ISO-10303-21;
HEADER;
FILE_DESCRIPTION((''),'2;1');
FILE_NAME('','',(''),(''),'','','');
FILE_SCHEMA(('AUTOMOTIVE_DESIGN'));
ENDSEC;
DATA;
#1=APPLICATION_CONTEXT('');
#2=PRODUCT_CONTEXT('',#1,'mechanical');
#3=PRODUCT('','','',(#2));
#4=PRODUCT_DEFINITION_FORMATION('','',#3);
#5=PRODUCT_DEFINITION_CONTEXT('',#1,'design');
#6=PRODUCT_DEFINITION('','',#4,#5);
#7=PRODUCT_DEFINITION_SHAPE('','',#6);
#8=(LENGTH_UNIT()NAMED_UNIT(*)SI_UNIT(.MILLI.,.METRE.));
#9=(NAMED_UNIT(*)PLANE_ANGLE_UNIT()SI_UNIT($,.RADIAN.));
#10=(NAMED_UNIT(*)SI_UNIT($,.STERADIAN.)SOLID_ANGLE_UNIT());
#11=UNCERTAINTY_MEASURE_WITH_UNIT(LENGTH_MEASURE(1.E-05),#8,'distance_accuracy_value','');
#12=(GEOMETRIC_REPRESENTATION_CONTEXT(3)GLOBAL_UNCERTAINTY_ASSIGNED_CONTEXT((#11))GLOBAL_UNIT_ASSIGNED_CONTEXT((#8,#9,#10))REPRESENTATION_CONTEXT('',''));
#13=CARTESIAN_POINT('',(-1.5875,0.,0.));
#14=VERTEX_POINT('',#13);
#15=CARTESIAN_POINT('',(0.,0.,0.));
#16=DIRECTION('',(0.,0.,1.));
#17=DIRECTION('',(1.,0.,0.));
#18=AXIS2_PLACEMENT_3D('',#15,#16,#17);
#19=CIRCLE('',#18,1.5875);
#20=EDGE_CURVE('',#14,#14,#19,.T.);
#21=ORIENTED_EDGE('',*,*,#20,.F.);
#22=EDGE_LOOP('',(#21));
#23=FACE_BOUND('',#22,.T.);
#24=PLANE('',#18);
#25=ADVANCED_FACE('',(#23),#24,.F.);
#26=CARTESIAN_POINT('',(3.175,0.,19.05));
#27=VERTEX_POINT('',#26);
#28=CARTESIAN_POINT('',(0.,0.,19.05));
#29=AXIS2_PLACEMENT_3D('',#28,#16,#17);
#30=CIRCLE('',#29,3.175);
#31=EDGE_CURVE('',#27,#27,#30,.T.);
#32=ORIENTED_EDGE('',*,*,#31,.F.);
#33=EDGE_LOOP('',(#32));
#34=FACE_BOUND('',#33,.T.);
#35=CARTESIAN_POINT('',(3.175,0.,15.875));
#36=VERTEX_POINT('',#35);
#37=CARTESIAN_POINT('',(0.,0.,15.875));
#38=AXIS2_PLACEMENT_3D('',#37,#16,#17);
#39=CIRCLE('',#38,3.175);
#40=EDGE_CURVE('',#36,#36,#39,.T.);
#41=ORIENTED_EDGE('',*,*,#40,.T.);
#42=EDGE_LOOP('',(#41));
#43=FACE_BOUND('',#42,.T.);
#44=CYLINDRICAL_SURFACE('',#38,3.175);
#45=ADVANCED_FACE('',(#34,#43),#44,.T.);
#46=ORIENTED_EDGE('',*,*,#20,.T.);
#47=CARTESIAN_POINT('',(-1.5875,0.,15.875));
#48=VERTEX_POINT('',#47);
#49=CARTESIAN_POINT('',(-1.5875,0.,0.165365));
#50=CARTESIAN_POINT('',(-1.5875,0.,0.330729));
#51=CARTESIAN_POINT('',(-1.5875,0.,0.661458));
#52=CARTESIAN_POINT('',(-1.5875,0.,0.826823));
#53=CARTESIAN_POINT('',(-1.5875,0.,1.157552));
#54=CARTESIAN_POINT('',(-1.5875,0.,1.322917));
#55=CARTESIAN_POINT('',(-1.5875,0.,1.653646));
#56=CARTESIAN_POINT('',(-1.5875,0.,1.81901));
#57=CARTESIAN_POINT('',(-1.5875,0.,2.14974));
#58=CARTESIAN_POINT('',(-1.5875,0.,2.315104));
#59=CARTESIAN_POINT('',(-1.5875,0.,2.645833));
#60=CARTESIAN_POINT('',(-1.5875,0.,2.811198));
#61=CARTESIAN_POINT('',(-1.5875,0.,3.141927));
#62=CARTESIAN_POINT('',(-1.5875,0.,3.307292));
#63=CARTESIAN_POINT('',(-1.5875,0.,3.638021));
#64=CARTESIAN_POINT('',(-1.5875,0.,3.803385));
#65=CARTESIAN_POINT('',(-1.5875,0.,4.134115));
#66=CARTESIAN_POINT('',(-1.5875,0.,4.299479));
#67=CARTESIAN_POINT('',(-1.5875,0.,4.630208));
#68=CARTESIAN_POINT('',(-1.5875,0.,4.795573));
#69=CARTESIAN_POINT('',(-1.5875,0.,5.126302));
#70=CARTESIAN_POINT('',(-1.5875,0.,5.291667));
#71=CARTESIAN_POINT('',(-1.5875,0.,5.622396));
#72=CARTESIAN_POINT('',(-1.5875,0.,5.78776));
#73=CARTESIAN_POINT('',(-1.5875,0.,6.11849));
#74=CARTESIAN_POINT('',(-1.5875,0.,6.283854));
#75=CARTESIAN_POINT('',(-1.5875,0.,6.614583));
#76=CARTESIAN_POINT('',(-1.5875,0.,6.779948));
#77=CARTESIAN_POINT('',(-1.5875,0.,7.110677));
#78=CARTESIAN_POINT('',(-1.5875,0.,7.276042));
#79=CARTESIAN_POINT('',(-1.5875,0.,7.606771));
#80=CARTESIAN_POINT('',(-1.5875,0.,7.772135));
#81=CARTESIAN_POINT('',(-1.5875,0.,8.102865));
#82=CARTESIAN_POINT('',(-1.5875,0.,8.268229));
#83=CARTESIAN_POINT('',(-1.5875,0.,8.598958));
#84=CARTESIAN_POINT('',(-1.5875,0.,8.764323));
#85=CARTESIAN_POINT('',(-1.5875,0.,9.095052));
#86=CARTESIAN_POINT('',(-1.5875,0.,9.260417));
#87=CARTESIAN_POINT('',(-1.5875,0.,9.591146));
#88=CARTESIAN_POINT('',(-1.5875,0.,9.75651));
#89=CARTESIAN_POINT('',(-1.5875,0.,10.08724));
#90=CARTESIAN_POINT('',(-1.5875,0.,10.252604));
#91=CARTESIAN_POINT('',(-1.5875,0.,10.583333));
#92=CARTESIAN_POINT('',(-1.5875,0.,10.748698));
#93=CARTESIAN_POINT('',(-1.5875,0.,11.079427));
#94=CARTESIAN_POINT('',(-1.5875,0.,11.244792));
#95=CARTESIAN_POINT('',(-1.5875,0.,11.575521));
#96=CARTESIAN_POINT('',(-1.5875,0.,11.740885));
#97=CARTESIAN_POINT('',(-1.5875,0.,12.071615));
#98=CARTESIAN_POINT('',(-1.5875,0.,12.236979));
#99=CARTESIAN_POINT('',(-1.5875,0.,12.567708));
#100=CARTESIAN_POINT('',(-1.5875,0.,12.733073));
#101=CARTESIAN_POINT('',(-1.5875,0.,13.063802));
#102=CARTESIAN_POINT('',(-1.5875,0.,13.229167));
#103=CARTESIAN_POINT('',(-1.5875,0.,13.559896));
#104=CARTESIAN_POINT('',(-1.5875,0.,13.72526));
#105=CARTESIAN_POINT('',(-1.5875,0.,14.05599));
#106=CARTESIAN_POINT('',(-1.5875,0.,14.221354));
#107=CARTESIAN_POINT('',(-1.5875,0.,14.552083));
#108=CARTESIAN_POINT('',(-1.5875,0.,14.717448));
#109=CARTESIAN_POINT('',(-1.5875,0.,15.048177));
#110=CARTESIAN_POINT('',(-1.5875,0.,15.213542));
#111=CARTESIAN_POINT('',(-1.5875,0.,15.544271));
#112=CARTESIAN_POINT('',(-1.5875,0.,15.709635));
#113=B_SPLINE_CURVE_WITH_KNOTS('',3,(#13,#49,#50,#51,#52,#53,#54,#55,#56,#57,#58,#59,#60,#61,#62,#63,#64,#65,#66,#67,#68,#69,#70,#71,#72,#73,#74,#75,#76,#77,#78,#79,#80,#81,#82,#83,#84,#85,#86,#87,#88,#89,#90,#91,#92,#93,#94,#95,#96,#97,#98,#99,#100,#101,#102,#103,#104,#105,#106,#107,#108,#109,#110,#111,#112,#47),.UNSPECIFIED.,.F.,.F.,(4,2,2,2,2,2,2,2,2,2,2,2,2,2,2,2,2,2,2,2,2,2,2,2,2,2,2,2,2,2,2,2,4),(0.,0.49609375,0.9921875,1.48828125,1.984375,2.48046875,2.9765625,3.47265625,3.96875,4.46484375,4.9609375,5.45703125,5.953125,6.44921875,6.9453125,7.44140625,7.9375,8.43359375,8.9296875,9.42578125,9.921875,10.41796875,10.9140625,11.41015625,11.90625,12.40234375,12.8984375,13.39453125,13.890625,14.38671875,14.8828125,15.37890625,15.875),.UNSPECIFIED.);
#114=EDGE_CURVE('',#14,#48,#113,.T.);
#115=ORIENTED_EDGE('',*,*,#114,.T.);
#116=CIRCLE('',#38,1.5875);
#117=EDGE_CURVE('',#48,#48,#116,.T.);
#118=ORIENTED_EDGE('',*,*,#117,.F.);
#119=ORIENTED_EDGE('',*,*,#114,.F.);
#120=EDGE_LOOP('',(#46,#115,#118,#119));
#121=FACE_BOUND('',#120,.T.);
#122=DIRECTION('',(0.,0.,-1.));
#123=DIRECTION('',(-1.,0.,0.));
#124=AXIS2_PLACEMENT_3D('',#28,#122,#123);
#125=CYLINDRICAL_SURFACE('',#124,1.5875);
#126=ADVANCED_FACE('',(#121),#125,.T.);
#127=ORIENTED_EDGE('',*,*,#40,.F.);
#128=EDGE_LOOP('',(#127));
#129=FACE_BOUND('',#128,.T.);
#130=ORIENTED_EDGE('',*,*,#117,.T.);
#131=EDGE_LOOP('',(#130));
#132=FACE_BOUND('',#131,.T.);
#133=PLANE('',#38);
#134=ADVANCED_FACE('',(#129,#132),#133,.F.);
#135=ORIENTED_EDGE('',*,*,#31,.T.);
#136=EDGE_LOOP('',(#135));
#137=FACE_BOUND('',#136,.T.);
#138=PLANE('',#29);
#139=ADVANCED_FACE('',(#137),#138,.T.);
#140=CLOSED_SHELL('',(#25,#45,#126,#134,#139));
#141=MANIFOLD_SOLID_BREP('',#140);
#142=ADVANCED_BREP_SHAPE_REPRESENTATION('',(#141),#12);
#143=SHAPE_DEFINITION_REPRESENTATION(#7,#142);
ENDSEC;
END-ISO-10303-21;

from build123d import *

# Parameters (mm, degrees)
SKETCH1_R           = 1.5875
BOSS_EXTRUDE1_DEPTH = 19.05
SKETCH2_R           = 3.175
BOSS_EXTRUDE2_DEPTH = 3.175


with BuildPart() as part:
    # Sketch1 → Boss-Extrude1 (new body)
    with BuildSketch(Plane.XY):
        with Locations(Location((0, 0, 0), (0, 0, 180))):
            Circle(SKETCH1_R)
    extrude(amount=BOSS_EXTRUDE1_DEPTH)

    # Sketch2 → Boss-Extrude2 (add)
    with BuildSketch(Plane.XY.offset(19.05)):
        Circle(SKETCH2_R)
    extrude(amount=-BOSS_EXTRUDE2_DEPTH)


solid = part.part
